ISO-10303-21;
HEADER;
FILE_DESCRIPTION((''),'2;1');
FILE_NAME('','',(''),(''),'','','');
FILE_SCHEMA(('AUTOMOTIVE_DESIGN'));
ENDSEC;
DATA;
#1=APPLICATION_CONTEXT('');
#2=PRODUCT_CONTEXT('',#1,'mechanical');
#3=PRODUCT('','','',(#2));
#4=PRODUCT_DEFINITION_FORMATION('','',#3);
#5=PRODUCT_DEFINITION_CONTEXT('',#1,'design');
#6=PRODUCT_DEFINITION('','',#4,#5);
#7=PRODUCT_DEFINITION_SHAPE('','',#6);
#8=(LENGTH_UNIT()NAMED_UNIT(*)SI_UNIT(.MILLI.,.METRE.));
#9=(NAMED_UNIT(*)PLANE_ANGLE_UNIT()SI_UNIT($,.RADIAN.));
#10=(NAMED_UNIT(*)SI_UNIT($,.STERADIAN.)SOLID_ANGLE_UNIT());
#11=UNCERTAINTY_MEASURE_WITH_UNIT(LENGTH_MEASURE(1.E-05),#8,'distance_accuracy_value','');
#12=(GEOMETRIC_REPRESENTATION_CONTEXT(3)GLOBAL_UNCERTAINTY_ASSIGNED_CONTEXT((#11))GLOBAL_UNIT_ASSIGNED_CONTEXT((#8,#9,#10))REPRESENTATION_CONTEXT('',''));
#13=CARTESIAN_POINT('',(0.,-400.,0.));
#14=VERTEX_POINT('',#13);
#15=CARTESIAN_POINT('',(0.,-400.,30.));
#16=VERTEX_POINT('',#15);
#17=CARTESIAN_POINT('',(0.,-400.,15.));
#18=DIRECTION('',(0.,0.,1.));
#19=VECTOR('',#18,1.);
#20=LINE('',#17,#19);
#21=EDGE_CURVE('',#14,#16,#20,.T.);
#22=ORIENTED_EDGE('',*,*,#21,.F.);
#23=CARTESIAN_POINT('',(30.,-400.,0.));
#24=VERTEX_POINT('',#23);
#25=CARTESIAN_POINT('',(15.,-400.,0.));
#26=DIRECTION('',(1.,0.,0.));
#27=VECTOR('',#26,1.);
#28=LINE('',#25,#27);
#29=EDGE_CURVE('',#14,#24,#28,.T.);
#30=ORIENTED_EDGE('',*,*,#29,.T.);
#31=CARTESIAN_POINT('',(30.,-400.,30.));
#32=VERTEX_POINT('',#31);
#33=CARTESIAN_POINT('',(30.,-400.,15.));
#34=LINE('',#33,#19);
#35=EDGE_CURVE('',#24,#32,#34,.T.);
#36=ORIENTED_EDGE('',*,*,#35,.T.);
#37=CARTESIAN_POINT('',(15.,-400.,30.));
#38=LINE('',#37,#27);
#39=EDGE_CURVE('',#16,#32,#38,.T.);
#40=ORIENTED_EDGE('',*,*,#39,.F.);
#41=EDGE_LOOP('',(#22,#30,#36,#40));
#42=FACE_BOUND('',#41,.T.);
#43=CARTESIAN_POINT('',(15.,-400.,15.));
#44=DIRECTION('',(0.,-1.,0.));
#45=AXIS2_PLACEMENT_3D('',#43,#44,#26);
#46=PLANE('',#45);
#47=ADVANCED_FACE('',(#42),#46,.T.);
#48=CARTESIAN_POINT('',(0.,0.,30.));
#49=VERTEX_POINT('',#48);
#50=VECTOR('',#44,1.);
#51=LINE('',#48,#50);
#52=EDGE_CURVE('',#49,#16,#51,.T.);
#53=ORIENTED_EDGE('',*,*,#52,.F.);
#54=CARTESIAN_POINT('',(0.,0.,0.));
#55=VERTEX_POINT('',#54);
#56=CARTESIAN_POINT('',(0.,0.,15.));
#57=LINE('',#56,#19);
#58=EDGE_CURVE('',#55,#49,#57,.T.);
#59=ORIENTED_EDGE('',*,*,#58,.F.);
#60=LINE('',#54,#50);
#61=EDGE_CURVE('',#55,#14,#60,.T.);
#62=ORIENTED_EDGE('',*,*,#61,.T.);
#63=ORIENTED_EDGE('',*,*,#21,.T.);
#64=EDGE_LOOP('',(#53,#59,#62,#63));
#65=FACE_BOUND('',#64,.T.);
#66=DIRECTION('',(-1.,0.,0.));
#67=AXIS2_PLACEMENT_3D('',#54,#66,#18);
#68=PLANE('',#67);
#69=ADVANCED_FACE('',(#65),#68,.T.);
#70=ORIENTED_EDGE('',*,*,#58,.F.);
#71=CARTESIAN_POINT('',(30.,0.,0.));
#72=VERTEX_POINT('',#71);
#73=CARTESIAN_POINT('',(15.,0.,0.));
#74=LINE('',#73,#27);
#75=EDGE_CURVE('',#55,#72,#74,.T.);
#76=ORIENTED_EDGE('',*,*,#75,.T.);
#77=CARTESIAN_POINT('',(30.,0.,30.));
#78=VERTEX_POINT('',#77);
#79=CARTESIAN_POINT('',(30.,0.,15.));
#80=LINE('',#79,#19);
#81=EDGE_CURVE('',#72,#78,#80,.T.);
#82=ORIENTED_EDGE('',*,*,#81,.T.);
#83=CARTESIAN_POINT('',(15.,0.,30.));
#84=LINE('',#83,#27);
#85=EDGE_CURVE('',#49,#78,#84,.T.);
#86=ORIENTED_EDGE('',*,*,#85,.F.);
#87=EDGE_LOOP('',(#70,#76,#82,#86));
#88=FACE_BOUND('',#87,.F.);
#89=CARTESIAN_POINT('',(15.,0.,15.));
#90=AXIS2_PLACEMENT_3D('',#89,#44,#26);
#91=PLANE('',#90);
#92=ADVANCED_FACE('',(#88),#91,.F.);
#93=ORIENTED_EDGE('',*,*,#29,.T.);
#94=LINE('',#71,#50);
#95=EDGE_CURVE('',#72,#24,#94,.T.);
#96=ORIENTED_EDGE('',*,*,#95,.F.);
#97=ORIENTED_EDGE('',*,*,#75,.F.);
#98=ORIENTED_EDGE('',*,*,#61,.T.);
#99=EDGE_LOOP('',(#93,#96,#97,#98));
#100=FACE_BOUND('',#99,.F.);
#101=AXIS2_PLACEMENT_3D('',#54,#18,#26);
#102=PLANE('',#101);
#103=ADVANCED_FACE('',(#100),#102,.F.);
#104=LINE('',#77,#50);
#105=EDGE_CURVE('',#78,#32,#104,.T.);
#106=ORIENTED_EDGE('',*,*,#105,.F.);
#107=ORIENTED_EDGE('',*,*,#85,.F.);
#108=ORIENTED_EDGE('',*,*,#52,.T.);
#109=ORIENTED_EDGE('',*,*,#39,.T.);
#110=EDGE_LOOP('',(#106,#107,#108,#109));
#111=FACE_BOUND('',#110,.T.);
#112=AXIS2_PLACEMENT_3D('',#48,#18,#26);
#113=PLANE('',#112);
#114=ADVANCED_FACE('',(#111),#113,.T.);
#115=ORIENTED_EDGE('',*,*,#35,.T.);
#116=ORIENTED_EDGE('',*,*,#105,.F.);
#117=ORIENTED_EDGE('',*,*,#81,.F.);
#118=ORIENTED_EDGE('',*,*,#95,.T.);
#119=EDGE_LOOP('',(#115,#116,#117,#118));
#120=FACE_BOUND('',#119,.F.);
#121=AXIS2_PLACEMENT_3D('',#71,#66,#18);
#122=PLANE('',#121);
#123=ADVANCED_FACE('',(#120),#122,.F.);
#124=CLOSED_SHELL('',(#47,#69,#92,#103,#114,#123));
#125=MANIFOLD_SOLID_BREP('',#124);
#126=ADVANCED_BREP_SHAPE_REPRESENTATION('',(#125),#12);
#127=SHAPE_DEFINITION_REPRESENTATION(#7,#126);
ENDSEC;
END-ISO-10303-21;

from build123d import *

# Parameters (mm, degrees)
SKETCH_W  = 30
SKETCH_H  = 30
PAD_DEPTH = 400


with BuildPart() as part:
    # Sketch → Pad (new body)
    with BuildSketch(Plane.XZ):
        with Locations((15, 15)):
            Rectangle(SKETCH_W, SKETCH_H)
    extrude(amount=PAD_DEPTH)


solid = part.part
